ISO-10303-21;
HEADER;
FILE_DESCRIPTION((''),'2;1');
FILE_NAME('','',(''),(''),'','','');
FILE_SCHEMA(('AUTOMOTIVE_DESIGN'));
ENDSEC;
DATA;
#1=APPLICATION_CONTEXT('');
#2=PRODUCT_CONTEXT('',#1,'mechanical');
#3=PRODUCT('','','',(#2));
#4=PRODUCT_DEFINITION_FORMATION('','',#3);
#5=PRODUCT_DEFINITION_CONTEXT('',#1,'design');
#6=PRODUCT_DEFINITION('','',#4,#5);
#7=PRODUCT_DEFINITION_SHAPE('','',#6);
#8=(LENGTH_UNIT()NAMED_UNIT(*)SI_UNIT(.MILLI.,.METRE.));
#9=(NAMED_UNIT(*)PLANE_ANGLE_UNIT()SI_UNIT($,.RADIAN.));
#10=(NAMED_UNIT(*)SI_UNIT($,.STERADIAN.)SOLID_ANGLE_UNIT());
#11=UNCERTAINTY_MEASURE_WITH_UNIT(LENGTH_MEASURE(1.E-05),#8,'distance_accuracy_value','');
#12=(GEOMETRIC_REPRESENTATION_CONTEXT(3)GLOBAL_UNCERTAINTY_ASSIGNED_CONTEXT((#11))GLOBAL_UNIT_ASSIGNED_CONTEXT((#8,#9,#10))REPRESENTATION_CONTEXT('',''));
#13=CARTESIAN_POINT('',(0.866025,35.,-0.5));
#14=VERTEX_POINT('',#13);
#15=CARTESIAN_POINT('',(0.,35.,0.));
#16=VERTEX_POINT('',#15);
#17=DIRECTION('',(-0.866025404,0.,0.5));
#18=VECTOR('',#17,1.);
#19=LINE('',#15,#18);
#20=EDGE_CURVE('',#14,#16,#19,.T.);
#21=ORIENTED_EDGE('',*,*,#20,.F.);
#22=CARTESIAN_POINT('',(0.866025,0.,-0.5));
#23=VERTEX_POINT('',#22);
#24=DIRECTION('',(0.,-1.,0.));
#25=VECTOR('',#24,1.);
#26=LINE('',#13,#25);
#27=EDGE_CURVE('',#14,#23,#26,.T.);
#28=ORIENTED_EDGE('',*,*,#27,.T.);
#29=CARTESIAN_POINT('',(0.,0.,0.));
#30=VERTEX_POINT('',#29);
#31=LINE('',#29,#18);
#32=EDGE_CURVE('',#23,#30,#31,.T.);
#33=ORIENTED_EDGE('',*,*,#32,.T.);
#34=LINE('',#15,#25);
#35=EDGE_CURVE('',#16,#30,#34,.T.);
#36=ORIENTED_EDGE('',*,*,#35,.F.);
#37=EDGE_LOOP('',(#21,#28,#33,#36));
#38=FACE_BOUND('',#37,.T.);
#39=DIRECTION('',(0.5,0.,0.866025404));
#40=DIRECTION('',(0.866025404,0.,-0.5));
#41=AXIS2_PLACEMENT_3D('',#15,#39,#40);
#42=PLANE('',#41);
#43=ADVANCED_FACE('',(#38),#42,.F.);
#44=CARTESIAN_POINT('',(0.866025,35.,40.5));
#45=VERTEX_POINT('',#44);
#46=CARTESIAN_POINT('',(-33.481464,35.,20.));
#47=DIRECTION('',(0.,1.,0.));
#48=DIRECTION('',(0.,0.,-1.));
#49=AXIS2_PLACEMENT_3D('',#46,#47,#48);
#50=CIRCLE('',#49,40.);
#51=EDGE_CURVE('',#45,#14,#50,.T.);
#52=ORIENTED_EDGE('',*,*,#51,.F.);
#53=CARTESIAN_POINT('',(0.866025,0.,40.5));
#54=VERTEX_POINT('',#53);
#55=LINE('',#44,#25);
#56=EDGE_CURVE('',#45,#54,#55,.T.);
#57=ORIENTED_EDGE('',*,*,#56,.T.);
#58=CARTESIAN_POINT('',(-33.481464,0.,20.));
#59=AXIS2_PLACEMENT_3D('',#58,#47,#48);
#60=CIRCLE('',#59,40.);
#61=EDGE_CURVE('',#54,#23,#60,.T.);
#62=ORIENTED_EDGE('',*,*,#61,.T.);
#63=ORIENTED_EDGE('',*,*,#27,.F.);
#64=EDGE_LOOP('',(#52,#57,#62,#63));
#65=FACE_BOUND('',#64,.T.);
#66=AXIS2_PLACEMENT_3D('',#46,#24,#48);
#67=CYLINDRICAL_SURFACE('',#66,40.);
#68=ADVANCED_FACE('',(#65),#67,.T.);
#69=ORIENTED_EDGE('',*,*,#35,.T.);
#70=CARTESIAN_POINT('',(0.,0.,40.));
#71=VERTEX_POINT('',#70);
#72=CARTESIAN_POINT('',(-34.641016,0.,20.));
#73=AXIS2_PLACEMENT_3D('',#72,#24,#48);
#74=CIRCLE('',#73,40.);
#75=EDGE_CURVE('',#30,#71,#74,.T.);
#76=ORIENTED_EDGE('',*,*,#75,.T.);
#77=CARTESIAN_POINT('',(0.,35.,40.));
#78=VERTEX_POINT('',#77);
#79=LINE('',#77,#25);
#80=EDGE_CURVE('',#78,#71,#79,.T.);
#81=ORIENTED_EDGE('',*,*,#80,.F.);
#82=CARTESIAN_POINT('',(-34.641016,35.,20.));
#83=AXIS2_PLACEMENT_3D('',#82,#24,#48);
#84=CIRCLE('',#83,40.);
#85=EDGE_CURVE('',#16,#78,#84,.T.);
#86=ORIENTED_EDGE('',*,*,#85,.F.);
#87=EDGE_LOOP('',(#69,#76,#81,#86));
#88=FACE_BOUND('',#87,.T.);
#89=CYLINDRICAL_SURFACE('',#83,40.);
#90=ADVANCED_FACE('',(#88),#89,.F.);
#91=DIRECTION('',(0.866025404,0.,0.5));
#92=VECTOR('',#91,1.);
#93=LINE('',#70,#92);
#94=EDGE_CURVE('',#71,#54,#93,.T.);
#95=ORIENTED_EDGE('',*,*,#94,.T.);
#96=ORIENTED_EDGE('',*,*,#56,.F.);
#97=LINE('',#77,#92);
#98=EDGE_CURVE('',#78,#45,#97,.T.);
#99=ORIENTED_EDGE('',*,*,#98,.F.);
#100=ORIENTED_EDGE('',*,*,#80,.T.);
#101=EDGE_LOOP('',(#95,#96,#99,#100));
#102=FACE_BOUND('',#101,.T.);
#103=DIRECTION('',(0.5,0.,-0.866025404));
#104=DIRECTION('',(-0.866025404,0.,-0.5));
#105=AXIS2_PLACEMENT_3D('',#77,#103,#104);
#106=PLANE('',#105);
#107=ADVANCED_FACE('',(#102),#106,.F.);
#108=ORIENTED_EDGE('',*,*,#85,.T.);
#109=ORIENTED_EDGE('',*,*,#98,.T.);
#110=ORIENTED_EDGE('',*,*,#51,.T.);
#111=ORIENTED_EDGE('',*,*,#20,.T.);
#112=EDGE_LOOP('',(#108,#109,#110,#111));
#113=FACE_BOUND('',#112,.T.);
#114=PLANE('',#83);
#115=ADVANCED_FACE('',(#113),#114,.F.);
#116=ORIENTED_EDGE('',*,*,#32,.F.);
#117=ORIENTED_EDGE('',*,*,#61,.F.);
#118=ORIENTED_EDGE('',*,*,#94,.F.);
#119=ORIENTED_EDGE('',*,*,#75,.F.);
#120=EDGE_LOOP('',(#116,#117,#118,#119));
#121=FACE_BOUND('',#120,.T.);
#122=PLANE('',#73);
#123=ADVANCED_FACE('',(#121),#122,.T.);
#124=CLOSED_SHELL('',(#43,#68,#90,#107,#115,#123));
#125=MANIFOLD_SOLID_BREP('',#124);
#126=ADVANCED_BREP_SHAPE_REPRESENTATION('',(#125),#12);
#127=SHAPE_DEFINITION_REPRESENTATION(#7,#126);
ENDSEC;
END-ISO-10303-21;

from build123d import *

# Parameters (mm, degrees)
BOSS_EXTRUDE1_DEPTH = 35


with BuildPart() as part:
    # Sketch1 → Boss-Extrude1 (new body)
    with BuildSketch(Plane(origin=(0, 0, 0), x_dir=(1, 0, 0), z_dir=(0, 1, 0))):
        with BuildLine():
            Line((0, 0), (0.866025404, 0.5))
            ThreePointArc((0.866025404, 0.5), (6.518536413, -20), (0.866025404, -40.5))
            Line((0.866025404, -40.5), (0, -40))
            ThreePointArc((0, -40), (5.358983849, -20), (0, 0))
        make_face()
    extrude(amount=BOSS_EXTRUDE1_DEPTH)


solid = part.part
